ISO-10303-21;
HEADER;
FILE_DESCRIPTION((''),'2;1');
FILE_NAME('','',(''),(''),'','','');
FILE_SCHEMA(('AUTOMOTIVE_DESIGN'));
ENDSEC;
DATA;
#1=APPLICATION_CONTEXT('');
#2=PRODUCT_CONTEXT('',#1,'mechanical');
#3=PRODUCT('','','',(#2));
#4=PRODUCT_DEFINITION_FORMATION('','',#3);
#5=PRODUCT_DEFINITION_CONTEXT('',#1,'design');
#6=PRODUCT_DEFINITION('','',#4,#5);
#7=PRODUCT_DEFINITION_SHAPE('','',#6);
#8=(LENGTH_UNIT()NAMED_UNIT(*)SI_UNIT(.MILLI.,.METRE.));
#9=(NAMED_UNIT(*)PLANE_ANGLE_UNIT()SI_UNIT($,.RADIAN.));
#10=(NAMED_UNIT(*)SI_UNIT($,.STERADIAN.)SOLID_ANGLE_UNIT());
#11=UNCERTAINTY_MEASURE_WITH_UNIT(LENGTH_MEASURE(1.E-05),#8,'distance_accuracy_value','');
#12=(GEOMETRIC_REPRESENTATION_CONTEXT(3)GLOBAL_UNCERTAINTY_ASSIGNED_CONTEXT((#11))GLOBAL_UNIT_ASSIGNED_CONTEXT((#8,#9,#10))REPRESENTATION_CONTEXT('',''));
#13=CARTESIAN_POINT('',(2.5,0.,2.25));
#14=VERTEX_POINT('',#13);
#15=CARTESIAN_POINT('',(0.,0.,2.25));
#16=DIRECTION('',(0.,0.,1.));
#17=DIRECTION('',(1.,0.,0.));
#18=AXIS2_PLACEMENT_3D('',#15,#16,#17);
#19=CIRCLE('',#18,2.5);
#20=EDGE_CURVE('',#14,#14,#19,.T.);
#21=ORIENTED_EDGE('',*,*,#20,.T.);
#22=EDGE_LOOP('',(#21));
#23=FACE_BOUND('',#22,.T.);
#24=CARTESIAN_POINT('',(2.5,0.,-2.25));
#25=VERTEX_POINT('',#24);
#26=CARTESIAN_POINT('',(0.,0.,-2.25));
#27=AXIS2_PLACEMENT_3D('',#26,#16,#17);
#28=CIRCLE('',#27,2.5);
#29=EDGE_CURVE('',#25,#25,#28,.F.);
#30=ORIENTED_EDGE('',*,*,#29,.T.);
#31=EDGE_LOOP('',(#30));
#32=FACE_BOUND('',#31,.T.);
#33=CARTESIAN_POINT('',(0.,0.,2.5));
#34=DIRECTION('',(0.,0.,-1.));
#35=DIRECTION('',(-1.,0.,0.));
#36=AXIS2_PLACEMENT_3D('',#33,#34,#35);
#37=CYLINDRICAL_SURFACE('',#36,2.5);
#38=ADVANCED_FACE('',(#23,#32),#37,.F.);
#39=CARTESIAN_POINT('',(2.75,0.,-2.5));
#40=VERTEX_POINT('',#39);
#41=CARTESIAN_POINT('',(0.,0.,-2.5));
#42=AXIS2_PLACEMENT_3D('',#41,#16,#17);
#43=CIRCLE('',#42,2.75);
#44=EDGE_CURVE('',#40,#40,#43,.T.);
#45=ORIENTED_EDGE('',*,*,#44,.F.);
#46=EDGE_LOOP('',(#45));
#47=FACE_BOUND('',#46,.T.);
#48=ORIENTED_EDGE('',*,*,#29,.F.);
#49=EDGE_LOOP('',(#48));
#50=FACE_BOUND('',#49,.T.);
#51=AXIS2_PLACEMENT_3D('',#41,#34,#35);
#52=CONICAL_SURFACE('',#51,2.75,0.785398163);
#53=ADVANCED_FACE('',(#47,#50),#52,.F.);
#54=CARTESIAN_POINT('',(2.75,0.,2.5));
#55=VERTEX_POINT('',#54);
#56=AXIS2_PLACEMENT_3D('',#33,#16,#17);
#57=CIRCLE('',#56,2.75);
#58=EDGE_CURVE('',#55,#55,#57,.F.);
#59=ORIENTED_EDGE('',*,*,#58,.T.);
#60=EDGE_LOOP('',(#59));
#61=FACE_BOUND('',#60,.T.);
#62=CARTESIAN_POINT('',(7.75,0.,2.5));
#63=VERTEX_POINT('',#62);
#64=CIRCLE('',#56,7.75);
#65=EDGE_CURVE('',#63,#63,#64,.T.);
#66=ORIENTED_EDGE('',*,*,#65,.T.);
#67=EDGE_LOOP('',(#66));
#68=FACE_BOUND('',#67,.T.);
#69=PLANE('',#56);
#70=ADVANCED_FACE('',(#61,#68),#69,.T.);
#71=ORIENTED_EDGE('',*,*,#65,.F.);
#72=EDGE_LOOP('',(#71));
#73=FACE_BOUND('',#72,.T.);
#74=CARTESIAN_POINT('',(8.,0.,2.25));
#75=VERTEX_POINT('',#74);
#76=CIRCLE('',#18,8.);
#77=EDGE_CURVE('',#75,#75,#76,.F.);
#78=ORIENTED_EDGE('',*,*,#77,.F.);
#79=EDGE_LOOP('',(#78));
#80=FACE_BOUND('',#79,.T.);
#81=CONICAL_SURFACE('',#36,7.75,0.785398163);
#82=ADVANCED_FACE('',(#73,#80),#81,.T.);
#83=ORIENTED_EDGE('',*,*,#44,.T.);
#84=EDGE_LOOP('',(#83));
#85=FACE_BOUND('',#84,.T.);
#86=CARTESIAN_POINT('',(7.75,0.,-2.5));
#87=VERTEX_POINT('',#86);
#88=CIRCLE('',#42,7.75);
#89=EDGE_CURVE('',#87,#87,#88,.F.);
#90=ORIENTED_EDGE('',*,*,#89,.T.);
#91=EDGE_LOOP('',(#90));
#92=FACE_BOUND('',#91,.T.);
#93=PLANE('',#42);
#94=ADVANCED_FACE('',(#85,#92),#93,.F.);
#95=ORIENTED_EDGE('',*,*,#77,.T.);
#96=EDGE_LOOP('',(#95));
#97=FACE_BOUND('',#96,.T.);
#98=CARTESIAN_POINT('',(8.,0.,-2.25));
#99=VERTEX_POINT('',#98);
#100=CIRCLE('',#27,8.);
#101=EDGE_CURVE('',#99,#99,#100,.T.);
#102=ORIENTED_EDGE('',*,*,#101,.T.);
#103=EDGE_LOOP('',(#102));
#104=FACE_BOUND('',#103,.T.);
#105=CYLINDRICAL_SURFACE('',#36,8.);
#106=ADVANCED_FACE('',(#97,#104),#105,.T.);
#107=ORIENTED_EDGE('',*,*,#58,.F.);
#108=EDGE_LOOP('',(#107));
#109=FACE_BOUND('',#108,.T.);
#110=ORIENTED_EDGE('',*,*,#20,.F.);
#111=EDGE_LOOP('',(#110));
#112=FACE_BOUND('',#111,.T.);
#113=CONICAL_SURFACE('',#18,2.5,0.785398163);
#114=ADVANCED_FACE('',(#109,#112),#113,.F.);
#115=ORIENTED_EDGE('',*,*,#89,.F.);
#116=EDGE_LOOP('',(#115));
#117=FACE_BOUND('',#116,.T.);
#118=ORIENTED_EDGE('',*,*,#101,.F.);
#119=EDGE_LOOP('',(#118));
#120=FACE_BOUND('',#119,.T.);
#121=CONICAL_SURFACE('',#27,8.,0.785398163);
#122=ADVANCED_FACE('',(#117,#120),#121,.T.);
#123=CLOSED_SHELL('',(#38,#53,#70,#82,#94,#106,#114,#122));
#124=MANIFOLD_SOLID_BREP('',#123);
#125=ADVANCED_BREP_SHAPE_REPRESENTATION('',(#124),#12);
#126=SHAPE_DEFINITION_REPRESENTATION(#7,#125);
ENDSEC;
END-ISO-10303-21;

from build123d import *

# Parameters (mm, degrees)
SKETCH1_R           = 8
SKETCH1_R_2         = 2.5
BOSS_EXTRUDE1_DEPTH = 2.5
CHAMFER1_SIZE       = 0.25


with BuildPart() as part:
    # Sketch1 → Boss-Extrude1 (new body, symmetric)
    with BuildSketch(Plane.XY):
        Circle(SKETCH1_R)
        Circle(SKETCH1_R_2, mode=Mode.SUBTRACT)
    extrude(amount=BOSS_EXTRUDE1_DEPTH, both=True)

    # Chamfer1
    chamfer1_edges = [part.edges().sort_by_distance(p)[0] for p in [
        (-8, 0, -2.5),
        (-8, 0, 2.5),
        (-2.5, 0, -2.5),
        (-2.5, 0, 2.5),
    ]]
    chamfer(chamfer1_edges, length=CHAMFER1_SIZE)


solid = part.part
